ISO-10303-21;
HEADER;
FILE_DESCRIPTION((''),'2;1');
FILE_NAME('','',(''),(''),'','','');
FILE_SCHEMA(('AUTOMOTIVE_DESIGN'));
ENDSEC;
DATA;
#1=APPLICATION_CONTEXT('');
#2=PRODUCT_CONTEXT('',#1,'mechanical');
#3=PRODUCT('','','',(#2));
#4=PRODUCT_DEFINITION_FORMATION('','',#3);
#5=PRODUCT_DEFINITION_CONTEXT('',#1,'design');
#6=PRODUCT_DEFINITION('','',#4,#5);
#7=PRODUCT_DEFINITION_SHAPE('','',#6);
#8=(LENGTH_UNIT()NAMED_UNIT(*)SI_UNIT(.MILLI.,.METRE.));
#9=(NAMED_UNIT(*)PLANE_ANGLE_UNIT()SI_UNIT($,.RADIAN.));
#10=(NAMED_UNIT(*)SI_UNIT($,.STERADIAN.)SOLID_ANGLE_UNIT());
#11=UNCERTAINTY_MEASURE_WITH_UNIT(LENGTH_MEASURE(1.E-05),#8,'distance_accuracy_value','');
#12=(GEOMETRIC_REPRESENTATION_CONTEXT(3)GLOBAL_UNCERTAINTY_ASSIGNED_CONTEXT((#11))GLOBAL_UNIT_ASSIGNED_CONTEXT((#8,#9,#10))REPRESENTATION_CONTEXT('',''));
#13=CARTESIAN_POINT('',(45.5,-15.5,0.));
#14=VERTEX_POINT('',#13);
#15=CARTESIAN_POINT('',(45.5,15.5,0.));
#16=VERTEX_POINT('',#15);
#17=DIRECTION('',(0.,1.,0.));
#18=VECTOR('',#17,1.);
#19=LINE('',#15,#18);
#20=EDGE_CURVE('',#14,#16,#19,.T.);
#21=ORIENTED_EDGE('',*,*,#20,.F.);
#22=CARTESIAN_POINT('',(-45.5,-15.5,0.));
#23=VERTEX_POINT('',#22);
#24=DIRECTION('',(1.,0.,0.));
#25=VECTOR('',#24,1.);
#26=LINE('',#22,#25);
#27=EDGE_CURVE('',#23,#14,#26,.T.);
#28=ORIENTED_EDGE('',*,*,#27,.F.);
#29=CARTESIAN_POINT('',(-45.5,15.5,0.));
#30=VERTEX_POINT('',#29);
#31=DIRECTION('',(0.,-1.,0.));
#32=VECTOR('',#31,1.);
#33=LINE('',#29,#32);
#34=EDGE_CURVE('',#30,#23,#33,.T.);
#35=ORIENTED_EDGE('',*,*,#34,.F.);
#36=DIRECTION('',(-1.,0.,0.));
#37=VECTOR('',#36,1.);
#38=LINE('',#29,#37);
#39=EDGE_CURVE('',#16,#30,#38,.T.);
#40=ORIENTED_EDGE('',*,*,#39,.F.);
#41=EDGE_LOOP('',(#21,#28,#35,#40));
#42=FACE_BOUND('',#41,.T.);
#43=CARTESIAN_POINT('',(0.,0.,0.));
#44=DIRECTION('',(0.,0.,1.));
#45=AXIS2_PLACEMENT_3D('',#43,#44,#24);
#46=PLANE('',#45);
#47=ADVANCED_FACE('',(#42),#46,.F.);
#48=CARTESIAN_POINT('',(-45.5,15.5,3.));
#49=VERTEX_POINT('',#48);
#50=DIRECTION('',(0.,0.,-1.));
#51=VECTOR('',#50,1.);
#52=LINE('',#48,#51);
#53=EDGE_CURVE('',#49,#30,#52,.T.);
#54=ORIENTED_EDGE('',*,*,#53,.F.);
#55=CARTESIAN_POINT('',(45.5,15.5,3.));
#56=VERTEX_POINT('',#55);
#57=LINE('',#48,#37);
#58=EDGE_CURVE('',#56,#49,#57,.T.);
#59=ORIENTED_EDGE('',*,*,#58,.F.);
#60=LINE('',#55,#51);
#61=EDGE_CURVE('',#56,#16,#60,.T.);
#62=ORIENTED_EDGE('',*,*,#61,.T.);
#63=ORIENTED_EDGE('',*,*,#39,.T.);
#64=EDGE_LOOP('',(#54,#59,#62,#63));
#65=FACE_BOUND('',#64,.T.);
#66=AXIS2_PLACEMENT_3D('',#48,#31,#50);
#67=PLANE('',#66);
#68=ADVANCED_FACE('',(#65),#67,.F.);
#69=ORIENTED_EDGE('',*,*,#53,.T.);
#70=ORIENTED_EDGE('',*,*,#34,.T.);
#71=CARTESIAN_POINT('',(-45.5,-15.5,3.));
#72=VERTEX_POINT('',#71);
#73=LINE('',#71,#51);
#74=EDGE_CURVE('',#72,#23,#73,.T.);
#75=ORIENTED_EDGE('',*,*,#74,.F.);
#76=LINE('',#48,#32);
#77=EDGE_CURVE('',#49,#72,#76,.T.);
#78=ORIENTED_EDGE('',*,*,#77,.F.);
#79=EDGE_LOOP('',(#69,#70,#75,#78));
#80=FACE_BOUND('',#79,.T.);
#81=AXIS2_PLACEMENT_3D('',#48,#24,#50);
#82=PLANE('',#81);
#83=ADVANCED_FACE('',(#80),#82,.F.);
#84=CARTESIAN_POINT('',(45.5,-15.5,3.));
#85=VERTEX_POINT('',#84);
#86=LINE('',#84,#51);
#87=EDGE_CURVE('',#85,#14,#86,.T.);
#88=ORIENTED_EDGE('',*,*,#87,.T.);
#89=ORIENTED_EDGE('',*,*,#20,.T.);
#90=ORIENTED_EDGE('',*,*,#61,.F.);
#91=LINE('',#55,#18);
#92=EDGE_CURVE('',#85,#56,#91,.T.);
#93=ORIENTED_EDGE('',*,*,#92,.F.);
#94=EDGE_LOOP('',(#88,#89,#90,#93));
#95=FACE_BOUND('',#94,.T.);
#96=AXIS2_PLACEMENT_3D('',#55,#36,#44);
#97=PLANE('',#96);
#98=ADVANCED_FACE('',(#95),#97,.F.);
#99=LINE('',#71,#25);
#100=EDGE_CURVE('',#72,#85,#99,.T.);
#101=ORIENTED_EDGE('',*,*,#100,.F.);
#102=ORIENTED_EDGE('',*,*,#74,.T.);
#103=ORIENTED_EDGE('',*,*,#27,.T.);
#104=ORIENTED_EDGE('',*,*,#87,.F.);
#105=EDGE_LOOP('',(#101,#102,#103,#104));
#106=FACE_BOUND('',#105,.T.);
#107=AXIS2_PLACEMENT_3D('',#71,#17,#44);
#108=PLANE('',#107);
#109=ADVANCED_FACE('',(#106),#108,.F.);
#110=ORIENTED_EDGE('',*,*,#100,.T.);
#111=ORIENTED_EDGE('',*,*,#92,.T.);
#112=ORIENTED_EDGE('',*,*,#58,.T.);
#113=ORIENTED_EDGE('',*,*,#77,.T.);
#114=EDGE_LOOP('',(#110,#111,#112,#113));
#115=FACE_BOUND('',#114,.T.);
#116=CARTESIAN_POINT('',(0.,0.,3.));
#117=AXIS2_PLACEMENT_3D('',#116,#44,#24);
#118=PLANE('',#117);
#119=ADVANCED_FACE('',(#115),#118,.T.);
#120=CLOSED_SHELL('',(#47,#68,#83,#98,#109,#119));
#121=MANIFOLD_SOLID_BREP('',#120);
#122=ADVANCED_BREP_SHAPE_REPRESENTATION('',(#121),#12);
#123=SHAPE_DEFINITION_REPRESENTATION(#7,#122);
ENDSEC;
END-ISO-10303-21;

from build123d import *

# Parameters (mm, degrees)
ESQUISSE1_W        = 91
ESQUISSE1_H        = 31
BOSS_EXTRU_1_DEPTH = 3


with BuildPart() as part:
    # Esquisse1 → Boss.-Extru.1 (new body)
    with BuildSketch(Plane.XY):
        Rectangle(ESQUISSE1_W, ESQUISSE1_H)
    extrude(amount=BOSS_EXTRU_1_DEPTH)


solid = part.part
